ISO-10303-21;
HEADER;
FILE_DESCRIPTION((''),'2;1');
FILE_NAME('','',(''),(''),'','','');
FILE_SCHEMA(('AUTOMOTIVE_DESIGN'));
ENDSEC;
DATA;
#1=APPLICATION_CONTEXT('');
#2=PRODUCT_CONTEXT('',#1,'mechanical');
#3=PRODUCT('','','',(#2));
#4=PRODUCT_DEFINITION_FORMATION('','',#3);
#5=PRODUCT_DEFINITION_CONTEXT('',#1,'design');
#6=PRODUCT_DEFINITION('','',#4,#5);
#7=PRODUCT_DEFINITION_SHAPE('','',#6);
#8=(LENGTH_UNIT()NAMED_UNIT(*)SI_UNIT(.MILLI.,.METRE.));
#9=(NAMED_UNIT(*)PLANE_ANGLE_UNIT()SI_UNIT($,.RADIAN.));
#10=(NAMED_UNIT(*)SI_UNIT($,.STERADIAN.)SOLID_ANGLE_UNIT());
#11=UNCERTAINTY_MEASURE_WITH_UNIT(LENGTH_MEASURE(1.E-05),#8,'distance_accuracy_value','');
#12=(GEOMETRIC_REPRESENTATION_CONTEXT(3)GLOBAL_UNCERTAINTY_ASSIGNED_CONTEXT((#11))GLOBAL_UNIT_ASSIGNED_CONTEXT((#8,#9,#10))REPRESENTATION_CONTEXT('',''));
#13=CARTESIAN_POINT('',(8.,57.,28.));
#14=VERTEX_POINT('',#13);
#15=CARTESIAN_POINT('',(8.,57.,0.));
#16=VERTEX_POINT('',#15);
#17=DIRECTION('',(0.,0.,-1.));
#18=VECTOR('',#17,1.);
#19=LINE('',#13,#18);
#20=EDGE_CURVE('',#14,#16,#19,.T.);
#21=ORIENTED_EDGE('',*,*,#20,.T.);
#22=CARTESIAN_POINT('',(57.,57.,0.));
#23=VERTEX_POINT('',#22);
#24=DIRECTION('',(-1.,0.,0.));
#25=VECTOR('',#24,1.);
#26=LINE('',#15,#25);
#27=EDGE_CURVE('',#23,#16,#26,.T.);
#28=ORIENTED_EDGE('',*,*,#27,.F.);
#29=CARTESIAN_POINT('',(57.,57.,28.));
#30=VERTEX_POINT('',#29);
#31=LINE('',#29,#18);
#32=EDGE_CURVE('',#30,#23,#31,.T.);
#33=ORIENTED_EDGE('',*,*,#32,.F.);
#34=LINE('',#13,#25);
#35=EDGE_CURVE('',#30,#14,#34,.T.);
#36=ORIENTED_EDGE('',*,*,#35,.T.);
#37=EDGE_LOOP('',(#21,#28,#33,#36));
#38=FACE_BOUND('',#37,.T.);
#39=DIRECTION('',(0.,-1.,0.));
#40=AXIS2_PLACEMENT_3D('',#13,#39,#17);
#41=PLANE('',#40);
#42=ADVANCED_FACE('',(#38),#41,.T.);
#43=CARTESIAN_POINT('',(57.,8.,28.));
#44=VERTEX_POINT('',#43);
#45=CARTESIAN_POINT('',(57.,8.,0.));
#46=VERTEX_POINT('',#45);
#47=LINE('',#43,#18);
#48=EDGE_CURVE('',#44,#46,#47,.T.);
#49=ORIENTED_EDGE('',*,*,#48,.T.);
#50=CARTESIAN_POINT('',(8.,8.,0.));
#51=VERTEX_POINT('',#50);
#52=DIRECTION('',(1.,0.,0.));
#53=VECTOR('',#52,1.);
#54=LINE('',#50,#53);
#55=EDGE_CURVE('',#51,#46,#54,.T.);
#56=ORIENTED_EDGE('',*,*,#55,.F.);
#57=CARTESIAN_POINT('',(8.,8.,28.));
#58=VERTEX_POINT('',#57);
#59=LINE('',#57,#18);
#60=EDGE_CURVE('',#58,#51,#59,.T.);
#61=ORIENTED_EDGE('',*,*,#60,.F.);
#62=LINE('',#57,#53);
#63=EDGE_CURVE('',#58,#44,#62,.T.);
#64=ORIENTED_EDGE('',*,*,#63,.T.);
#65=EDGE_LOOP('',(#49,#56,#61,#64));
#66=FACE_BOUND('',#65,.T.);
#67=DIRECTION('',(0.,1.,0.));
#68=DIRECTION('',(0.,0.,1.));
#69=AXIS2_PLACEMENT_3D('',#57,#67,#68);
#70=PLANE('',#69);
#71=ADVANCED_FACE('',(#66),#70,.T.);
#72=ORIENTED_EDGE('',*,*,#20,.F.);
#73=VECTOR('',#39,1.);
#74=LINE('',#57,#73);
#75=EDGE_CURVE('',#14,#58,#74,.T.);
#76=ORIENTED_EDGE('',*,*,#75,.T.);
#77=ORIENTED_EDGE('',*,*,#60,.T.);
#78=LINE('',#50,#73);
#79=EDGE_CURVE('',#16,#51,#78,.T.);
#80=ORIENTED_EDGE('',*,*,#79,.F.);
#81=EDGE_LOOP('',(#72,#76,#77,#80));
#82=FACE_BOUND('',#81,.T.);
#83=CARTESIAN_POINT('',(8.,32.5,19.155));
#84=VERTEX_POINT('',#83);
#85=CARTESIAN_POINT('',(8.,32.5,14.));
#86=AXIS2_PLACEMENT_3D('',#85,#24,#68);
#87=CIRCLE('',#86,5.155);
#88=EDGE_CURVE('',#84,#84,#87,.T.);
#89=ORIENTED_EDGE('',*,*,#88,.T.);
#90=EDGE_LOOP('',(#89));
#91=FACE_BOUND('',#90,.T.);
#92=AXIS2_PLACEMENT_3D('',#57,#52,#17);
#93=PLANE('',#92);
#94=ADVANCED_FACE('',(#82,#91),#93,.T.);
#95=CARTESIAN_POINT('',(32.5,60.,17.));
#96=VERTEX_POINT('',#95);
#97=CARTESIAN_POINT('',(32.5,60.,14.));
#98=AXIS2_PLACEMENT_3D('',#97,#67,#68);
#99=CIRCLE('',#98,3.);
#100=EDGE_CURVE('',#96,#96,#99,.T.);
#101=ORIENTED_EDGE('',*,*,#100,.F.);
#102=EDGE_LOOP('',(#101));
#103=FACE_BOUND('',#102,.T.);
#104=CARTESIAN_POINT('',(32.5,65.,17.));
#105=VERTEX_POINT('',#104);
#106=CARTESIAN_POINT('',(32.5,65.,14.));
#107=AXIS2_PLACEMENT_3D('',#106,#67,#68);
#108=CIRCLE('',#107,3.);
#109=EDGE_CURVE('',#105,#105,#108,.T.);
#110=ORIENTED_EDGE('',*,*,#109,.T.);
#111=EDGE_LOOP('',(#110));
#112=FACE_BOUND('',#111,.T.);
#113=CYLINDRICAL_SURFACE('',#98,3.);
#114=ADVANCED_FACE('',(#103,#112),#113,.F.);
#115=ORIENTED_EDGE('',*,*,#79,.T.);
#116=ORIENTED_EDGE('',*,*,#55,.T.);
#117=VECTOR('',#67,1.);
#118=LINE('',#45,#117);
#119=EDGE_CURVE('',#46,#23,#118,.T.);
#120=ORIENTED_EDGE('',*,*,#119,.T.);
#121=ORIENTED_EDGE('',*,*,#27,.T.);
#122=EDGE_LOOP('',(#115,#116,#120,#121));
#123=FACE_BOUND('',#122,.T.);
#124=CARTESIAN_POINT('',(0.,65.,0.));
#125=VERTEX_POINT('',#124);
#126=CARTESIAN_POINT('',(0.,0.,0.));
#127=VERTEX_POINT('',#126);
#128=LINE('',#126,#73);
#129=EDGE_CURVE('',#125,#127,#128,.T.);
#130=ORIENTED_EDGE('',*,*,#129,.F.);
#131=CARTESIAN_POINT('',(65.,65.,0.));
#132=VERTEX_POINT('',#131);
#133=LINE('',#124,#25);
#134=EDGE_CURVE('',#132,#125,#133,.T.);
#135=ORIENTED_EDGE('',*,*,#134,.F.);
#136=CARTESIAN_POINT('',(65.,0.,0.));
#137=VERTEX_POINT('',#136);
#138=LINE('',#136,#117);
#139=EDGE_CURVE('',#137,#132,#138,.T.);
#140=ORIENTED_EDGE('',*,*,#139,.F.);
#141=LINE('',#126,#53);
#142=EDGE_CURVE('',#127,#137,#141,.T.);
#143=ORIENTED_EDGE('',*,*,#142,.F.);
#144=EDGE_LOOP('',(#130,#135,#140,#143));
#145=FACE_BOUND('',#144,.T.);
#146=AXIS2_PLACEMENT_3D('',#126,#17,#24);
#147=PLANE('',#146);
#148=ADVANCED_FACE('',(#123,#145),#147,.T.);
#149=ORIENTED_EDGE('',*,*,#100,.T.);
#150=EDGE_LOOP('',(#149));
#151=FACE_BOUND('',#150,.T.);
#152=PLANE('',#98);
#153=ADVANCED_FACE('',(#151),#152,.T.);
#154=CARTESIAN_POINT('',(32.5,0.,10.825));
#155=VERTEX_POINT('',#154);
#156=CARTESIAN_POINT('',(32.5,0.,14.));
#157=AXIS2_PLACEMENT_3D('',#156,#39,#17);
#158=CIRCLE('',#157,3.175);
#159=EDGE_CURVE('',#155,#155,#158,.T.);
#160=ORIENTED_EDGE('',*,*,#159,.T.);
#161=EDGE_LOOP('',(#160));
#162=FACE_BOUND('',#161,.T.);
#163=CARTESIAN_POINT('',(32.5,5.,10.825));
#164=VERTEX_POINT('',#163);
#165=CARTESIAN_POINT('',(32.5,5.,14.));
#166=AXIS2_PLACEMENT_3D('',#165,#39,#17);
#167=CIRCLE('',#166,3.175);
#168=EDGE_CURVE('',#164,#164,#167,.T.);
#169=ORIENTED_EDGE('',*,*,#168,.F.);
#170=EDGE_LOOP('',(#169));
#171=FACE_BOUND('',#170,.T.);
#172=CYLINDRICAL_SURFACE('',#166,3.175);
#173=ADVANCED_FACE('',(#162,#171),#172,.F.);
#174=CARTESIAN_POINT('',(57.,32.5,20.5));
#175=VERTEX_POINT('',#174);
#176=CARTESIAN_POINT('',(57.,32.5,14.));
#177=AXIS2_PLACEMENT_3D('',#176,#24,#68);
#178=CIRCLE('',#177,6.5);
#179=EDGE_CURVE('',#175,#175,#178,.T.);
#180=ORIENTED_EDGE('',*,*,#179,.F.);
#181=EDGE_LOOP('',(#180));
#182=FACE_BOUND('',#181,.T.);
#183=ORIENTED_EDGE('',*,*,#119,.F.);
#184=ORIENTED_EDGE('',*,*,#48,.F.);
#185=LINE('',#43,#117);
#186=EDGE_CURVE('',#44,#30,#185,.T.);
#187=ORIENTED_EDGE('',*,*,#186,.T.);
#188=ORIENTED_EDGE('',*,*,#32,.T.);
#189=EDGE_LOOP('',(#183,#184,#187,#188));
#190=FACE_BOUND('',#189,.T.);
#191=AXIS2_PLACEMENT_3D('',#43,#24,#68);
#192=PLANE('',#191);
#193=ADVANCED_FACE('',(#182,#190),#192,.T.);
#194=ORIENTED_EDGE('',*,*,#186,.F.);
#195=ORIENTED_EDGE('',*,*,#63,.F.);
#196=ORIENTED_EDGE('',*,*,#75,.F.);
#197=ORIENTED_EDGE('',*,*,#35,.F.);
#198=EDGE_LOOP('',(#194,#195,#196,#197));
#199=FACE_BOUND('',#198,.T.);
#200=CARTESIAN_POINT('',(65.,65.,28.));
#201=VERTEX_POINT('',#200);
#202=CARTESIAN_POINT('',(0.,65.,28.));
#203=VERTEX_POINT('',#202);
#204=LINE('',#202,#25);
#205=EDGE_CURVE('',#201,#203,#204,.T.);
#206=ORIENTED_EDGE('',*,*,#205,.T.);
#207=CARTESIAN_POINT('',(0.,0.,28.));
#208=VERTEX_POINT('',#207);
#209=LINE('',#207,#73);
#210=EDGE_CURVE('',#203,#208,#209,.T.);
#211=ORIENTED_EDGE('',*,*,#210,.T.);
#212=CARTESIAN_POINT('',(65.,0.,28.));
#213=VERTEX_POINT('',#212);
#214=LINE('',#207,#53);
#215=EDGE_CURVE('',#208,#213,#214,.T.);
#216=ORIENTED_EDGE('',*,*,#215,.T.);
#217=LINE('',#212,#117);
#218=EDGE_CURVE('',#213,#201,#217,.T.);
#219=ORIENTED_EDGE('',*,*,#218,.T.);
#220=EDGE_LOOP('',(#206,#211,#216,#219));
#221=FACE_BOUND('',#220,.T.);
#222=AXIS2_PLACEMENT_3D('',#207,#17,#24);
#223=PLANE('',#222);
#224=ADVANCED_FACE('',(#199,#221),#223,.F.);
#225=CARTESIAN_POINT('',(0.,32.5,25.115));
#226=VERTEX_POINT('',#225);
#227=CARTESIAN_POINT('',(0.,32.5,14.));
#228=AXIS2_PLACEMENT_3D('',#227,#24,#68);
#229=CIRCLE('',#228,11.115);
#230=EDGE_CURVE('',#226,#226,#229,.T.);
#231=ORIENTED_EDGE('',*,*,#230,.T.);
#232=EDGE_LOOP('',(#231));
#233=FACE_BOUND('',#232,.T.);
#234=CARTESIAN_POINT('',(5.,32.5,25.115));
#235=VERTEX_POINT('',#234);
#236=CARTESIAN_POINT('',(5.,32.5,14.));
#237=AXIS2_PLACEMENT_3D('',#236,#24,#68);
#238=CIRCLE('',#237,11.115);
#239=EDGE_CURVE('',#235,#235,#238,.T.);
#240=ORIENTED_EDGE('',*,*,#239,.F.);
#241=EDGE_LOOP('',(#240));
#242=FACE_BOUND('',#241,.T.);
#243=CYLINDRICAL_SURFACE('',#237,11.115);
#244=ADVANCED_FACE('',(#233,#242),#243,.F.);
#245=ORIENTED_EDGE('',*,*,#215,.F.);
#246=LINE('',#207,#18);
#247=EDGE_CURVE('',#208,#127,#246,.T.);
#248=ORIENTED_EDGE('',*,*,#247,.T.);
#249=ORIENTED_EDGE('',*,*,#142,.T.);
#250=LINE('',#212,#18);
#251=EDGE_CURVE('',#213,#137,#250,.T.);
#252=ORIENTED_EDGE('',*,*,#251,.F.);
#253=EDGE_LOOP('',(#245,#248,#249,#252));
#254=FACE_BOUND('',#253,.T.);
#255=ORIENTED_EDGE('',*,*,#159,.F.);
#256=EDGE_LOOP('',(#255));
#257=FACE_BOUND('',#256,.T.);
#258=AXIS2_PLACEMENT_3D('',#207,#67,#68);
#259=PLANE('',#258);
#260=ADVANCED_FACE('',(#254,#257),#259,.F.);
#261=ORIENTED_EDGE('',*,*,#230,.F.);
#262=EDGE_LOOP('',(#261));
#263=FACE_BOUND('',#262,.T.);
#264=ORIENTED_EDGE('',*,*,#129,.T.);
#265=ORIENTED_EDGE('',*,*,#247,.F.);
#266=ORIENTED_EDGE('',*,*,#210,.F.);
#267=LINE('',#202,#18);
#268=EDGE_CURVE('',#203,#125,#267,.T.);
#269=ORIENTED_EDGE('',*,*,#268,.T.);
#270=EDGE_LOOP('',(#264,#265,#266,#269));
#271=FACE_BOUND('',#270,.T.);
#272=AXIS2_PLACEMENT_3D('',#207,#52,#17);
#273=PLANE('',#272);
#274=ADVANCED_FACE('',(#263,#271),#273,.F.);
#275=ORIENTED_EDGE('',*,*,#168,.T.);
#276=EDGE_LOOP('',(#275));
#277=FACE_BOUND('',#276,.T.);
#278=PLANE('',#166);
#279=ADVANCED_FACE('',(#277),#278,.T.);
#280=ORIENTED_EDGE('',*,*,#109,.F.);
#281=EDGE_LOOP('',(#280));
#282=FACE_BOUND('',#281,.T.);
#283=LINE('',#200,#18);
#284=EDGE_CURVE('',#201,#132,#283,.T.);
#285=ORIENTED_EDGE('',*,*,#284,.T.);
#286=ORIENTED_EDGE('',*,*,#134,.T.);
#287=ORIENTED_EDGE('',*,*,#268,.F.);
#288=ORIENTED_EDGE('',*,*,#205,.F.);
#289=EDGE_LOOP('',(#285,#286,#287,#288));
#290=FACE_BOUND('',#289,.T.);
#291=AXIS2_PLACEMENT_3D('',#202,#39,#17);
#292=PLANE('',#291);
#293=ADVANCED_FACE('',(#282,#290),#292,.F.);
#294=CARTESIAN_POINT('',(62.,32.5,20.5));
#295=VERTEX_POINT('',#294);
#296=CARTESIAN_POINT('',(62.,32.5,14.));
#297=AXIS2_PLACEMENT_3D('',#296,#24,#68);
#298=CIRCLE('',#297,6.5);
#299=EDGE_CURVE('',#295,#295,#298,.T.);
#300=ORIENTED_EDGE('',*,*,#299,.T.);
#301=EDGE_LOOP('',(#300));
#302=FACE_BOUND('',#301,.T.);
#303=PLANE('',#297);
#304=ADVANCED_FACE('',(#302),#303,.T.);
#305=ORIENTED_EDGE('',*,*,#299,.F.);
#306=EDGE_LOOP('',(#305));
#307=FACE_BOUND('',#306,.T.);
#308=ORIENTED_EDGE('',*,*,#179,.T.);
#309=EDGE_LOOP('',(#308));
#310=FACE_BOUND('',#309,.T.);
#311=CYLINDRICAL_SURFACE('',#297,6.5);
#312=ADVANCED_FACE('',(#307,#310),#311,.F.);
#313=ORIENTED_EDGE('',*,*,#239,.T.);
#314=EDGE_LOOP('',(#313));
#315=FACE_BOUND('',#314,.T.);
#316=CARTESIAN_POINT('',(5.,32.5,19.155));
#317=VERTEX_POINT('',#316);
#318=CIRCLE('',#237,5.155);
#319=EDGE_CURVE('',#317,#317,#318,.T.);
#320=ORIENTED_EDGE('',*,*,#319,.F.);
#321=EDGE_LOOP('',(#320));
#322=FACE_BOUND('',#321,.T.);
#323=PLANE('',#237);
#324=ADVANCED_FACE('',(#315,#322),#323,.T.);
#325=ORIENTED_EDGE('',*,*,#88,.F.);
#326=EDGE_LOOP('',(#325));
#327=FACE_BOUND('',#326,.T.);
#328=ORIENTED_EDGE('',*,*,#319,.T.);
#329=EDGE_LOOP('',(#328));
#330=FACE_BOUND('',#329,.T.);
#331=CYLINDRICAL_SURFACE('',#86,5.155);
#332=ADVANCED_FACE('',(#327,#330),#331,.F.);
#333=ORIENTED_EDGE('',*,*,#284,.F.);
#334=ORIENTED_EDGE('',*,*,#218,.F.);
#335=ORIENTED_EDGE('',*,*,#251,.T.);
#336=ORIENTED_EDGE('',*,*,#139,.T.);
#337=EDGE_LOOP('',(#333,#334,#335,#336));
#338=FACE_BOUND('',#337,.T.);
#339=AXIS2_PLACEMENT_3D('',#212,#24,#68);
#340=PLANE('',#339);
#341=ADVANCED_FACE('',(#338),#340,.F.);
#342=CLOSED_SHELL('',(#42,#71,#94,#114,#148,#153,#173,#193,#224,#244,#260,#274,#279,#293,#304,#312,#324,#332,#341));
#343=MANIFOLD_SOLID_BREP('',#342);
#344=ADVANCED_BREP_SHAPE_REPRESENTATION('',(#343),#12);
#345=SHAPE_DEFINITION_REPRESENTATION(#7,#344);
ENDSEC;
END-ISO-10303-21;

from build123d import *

# Parameters (mm, degrees)
CROQUIS1_W              = 65
CROQUIS1_H              = 65
CROQUIS1_W_2            = 49
CROQUIS1_H_2            = 49
SALIENTE_EXTRUIR1_DEPTH = 28
CROQUIS2_R              = 11.115
CORTAR_EXTRUIR1_DEPTH   = 5
CROQUIS3_R              = 5.155
CORTAR_EXTRUIR2_DEPTH   = 8
CROQUIS5_R              = 6.5
CORTAR_EXTRUIR3_DEPTH   = 5
CROQUIS6_R              = 3
CORTAR_EXTRUIR4_DEPTH   = 5
CROQUIS7_R              = 3.175
CORTAR_EXTRUIR5_DEPTH   = 5


with BuildPart() as part:
    # Croquis1 → Saliente-Extruir1 (new body)
    with BuildSketch(Plane.XY):
        with Locations((32.5, 32.5)):
            Rectangle(CROQUIS1_W, CROQUIS1_H)
        with Locations((32.5, 32.5)):
            Rectangle(CROQUIS1_W_2, CROQUIS1_H_2, mode=Mode.SUBTRACT)
    extrude(amount=SALIENTE_EXTRUIR1_DEPTH)

    # Croquis2 → Cortar-Extruir1 (cut)
    with BuildSketch(Plane.ZY):
        with Locations((14, 32.5)):
            Circle(CROQUIS2_R)
    extrude(amount=-CORTAR_EXTRUIR1_DEPTH, mode=Mode.SUBTRACT)

    # Croquis3 → Cortar-Extruir2 (cut)
    with BuildSketch(Plane.ZY):
        with Locations((14, 32.5)):
            Circle(CROQUIS3_R)
    extrude(amount=-CORTAR_EXTRUIR2_DEPTH, mode=Mode.SUBTRACT)

    # Croquis5 → Cortar-Extruir3 (cut)
    with BuildSketch(Plane.ZY.offset(-57)):
        with Locations((14, 32.5)):
            Circle(CROQUIS5_R)
    extrude(amount=-CORTAR_EXTRUIR3_DEPTH, mode=Mode.SUBTRACT)

    # Croquis6 → Cortar-Extruir4 (cut)
    with BuildSketch(Plane(origin=(0, 65, 0), x_dir=(1, 0, 0), z_dir=(0, 1, 0))):
        with Locations(Location((32.5, -14, 0), (0, 0, 270))):
            Circle(CROQUIS6_R)
    extrude(amount=-CORTAR_EXTRUIR4_DEPTH, mode=Mode.SUBTRACT)

    # Croquis7 → Cortar-Extruir5 (cut)
    with BuildSketch(Plane.XZ):
        with Locations(Location((32.5, 14, 0), (0, 0, 270))):
            Circle(CROQUIS7_R)
    extrude(amount=-CORTAR_EXTRUIR5_DEPTH, mode=Mode.SUBTRACT)


solid = part.part
